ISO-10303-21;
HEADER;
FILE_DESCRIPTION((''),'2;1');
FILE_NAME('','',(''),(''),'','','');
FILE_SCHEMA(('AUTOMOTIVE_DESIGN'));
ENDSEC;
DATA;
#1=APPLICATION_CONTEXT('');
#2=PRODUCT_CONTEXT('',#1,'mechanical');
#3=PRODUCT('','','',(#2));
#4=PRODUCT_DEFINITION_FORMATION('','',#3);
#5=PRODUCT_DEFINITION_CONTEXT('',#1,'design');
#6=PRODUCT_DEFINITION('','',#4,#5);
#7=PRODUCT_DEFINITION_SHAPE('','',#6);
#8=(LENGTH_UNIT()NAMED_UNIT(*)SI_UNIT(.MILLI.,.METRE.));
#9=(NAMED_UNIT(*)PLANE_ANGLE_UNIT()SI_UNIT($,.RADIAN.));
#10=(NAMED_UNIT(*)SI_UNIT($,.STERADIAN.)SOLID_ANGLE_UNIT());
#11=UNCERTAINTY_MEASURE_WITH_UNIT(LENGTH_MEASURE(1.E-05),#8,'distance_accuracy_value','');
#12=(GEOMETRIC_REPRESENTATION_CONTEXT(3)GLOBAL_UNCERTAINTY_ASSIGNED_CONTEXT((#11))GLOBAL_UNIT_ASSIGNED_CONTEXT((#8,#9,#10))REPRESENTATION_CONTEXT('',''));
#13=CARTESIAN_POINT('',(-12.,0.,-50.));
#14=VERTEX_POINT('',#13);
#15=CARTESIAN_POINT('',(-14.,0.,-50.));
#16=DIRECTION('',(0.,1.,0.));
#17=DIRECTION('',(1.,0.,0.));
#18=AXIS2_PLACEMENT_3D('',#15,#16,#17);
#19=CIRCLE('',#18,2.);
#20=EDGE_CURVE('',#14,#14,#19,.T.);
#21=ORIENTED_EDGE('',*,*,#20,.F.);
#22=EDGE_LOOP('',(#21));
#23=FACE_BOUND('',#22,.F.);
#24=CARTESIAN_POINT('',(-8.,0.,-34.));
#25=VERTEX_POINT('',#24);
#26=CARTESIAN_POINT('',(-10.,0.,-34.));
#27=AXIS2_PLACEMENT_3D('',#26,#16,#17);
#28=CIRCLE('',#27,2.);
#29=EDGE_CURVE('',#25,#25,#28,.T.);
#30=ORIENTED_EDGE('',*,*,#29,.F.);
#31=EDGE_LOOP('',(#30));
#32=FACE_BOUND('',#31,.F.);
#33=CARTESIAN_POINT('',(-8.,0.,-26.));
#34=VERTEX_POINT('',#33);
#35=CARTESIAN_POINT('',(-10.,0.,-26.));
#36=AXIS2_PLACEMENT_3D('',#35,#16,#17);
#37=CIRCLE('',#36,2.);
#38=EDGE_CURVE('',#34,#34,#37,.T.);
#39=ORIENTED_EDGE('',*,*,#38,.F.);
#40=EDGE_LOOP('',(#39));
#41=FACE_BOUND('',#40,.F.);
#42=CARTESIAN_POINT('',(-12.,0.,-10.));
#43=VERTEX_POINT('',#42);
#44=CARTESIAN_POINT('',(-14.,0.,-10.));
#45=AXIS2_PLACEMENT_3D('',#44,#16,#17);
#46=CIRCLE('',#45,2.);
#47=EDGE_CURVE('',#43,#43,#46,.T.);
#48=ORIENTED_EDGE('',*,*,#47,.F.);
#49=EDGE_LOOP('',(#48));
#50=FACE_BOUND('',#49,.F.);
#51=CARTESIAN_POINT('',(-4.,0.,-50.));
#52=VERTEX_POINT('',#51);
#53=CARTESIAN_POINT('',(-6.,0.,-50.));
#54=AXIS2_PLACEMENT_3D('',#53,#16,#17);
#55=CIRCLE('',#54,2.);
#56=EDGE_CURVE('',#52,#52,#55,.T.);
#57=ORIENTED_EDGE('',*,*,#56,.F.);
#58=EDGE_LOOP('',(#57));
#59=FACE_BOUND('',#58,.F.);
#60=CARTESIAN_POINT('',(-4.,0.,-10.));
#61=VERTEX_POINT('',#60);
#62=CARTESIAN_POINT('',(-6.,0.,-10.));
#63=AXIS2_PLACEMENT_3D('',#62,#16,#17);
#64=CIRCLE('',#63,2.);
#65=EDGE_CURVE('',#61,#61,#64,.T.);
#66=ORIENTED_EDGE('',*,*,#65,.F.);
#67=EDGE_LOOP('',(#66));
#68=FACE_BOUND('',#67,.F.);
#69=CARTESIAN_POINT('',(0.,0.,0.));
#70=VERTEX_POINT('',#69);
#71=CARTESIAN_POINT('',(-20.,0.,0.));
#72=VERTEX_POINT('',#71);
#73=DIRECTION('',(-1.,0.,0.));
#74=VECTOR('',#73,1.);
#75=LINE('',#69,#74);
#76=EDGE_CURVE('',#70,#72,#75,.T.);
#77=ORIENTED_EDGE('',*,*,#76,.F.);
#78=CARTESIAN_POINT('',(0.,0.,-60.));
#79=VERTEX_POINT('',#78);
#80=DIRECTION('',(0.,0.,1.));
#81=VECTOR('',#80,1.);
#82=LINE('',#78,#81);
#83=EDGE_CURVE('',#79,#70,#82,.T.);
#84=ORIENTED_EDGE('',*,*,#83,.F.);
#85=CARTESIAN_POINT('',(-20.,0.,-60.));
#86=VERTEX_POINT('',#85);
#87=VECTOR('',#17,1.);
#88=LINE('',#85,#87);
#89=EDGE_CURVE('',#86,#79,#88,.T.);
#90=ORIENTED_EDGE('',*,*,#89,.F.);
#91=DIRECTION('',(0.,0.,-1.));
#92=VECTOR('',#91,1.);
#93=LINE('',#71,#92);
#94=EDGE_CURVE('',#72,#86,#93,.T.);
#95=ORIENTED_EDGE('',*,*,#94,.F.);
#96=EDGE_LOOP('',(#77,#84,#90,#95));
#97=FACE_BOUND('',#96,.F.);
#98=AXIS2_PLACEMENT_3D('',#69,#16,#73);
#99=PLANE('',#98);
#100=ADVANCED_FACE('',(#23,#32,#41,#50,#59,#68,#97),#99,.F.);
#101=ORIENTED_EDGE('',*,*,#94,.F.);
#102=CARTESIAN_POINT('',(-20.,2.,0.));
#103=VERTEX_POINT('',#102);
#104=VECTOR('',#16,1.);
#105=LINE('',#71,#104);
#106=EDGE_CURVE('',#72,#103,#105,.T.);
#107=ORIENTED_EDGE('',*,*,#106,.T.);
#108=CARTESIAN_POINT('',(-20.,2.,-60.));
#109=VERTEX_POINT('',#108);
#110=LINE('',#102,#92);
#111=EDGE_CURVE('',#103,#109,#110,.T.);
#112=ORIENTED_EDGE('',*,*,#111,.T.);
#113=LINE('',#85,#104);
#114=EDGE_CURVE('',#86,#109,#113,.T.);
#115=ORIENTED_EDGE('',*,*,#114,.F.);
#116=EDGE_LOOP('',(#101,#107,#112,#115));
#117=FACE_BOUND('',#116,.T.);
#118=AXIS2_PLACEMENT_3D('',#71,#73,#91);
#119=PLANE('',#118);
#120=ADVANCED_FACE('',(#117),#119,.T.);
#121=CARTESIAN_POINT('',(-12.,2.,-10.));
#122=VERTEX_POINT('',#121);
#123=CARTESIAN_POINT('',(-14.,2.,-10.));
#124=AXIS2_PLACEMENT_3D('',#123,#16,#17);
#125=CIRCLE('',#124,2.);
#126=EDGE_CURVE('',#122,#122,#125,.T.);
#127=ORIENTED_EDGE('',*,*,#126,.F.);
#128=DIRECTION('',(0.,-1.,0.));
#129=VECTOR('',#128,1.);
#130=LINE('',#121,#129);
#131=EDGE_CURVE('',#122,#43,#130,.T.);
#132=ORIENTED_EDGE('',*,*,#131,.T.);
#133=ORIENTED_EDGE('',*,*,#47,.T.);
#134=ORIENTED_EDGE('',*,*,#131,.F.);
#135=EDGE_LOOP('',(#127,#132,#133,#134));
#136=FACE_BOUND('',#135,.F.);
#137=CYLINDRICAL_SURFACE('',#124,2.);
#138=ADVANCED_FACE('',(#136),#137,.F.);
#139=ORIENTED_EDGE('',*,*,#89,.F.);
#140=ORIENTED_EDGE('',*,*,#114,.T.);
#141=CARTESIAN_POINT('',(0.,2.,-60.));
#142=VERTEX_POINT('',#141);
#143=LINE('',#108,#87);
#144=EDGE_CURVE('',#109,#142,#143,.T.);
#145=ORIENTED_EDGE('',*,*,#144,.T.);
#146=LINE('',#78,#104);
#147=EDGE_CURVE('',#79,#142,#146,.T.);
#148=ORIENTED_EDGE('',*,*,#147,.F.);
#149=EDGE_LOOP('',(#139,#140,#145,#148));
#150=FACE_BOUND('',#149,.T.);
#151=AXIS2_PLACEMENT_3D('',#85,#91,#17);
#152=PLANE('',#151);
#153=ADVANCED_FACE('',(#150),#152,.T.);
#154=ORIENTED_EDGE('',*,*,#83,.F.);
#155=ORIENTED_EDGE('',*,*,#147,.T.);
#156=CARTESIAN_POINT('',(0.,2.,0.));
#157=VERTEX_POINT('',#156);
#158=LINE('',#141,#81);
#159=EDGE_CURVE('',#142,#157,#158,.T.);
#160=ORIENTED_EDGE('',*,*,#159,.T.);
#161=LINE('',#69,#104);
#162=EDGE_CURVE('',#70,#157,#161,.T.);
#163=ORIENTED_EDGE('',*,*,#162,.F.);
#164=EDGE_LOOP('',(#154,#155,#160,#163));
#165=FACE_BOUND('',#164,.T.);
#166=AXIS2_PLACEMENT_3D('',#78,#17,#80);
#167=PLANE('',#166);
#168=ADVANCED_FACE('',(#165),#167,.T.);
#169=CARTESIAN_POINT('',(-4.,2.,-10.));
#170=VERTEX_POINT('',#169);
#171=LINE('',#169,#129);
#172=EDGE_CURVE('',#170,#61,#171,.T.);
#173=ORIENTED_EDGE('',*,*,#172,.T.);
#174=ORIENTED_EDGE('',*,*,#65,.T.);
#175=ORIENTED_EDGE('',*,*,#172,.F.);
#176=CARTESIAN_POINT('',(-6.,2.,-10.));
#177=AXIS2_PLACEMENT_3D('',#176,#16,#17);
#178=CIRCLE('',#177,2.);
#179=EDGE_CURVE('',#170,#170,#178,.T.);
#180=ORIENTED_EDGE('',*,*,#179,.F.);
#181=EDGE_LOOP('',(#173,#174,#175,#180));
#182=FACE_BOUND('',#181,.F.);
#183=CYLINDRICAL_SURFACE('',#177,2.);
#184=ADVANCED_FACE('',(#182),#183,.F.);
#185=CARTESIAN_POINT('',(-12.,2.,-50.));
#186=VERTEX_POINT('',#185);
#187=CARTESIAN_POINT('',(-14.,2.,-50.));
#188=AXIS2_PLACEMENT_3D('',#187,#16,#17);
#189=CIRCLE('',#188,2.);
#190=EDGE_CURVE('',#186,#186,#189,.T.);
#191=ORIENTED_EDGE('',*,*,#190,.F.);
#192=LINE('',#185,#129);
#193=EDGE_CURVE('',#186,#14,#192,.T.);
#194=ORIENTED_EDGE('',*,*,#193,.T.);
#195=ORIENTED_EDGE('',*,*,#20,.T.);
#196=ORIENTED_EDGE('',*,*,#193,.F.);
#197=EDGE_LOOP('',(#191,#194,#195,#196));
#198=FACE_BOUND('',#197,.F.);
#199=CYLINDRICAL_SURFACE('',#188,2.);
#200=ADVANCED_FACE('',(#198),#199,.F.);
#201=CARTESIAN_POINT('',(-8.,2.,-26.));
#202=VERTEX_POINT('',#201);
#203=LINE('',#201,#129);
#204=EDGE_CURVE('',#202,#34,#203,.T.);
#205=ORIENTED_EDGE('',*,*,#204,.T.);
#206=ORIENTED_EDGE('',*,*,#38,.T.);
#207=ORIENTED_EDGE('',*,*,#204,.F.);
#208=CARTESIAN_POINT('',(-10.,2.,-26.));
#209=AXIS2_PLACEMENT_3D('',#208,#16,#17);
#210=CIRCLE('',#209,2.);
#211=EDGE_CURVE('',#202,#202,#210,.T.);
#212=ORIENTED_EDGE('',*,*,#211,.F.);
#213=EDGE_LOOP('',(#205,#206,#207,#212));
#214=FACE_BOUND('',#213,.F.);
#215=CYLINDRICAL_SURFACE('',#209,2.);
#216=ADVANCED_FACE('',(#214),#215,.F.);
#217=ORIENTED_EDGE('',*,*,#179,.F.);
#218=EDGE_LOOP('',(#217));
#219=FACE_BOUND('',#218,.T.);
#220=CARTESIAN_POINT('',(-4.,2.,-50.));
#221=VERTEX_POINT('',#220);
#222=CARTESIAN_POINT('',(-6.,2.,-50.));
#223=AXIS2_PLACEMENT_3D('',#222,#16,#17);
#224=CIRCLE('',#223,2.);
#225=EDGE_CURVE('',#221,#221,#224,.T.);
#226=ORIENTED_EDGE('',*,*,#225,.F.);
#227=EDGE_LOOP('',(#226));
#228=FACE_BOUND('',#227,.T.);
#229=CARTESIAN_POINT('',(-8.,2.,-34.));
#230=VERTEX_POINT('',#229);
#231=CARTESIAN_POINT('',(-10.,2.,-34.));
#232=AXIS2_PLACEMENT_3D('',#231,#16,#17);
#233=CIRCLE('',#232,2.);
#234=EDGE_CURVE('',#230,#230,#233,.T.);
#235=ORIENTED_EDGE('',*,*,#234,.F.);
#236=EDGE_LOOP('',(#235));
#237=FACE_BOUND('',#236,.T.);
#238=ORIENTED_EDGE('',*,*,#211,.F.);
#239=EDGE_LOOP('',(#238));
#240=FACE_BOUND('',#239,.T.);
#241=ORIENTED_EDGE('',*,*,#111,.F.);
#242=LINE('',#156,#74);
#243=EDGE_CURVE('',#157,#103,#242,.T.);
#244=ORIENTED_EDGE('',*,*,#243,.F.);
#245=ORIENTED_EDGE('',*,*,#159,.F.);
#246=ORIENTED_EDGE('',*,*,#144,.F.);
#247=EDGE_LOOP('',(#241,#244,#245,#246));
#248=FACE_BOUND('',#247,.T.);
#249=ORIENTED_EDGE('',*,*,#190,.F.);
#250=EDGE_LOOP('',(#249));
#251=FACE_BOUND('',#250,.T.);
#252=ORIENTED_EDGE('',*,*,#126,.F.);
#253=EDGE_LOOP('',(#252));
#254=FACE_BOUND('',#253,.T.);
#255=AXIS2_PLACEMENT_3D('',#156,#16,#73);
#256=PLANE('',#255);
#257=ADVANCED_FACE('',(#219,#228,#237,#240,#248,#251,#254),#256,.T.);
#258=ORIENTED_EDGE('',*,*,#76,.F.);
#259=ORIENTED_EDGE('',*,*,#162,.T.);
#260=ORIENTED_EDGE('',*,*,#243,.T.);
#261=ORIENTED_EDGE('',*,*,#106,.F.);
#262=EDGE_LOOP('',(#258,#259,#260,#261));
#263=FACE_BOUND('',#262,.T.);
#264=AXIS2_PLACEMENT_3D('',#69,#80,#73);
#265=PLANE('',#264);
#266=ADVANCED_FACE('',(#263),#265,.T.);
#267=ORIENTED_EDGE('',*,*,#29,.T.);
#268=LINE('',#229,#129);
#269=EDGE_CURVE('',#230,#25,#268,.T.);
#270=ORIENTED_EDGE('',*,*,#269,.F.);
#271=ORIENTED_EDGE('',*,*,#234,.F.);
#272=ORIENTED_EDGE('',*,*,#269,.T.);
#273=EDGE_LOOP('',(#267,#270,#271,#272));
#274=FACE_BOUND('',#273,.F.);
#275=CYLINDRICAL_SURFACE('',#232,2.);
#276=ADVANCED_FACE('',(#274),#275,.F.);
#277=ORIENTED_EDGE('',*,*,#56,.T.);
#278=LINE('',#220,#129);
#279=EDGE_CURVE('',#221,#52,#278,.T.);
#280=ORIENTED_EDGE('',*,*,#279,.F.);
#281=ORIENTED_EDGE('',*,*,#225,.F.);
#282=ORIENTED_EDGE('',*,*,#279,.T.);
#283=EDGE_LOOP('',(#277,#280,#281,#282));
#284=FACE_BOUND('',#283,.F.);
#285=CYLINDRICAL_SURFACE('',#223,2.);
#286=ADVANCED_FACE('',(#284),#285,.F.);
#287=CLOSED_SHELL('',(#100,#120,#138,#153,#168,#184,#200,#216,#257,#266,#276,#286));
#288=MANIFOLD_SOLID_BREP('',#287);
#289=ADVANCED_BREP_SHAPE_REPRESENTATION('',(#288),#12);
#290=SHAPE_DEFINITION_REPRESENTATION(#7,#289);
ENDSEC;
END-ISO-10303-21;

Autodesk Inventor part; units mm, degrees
ref_plane "YZ Plane" through (0, 0, 0) normal (1, 0, 0) x (0, 1, 0)
ref_plane "XZ Plane" through (0, 0, 0) normal (0, 1, 0) x (-1, 0, 0)
ref_plane "XY Plane" through (0, 0, 0) normal (0, 0, 1) x (1, 0, 0)
sketch "Эскиз2" plane through (0, 0, 0) normal (0, 1, 0) x (-1, 0, 0)
  line L0 (0, 0) -> (20, 0)
  line L1 (20, 0) -> (20, -60)
  line L2 (20, -60) -> (0, -60)
  line L3 (0, -60) -> (0, 0)
  dimension "d0" = 60
  dimension "d1" = 20
extrude "Выдавливание1" add sketch "Эскиз2" along normal blind 2
sketch "Эскиз3" plane through (0, 2, 0) normal (0, 1, 0) x (1, 0, 0)
  circle A0 centre (-14, 10) radius 2 projected
  circle A1 centre (-6, 10) radius 2 projected
  circle A2 centre (-10, 26) radius 2 projected
  circle A3 centre (-10, 34) radius 2 projected
  circle A4 centre (-6, 50) radius 2 projected
  circle A5 centre (-14, 50) radius 2 projected
  point P0 (0, 0)
extrude "Выдавливание2" cut sketch "Эскиз3" against normal through all
properties part number "plate"
